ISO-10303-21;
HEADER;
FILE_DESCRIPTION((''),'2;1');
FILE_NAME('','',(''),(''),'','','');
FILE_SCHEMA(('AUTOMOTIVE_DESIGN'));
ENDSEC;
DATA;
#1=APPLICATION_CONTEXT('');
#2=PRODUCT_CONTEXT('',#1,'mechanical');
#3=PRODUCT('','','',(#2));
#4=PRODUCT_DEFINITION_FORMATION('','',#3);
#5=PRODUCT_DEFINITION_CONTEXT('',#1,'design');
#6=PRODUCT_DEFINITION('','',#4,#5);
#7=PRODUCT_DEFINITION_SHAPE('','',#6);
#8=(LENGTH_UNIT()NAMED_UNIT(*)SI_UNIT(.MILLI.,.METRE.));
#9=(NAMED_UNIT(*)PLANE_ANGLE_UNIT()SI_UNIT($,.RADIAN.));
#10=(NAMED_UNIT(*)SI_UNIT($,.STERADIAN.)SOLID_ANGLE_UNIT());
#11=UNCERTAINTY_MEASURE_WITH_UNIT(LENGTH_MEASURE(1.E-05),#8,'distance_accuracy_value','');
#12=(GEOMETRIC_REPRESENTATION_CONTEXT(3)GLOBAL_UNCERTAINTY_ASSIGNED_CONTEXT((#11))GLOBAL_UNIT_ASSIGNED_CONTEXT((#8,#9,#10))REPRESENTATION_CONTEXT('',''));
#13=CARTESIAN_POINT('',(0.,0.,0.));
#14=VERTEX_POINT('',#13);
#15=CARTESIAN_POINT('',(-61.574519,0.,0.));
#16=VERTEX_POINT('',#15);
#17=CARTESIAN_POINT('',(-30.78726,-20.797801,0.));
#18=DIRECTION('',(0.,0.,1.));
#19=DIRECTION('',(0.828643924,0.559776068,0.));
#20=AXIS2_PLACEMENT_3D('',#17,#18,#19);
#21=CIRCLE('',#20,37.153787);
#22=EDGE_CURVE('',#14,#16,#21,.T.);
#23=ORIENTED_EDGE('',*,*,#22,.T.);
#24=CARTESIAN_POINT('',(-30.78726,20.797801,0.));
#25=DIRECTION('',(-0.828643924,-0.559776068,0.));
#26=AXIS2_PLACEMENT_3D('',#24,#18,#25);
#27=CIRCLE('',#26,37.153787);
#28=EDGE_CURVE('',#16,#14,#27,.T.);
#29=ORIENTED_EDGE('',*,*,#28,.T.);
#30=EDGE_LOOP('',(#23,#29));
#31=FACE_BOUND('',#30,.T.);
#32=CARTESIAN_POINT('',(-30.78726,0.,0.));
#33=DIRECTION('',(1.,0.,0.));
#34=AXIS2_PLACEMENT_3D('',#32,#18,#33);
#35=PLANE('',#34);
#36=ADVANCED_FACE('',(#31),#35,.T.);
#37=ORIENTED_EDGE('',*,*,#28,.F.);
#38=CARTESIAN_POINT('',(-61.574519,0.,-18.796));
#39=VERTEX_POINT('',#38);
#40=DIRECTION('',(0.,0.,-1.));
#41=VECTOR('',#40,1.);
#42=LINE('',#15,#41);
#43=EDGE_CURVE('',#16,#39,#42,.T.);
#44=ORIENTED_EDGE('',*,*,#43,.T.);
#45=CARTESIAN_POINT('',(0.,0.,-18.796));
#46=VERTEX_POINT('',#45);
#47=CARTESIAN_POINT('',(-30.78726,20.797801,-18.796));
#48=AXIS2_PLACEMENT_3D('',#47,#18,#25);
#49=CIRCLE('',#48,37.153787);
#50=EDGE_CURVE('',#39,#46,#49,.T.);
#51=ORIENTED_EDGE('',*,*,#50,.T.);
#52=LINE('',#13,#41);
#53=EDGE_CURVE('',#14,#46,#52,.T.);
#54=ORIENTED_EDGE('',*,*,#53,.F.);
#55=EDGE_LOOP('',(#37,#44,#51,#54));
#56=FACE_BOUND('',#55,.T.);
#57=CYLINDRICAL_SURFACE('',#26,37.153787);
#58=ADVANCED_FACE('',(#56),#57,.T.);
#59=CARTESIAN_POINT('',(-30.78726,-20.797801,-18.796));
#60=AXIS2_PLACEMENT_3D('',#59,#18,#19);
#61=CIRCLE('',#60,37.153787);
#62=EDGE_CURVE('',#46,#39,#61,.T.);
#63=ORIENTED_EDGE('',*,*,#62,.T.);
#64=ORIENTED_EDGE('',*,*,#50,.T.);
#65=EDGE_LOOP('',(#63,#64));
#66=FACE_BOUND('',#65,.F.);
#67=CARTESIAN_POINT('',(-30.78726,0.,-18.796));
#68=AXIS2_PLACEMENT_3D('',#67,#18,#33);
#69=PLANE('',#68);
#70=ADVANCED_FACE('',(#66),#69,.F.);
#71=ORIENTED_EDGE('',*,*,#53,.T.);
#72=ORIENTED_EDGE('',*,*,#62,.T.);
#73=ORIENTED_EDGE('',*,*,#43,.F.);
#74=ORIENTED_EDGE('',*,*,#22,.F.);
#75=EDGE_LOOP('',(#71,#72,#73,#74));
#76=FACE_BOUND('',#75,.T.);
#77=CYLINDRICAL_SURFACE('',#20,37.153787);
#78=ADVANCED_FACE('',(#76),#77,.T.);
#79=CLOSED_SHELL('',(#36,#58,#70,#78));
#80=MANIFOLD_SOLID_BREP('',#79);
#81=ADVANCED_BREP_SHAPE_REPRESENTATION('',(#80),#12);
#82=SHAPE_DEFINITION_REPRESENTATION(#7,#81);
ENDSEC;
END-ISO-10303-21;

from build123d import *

# Parameters (mm, degrees)
F1_DEPTH = 18.796


with BuildPart() as f1:
    # F0 (on Top) → F1 (new body)
    with BuildSketch(Plane.XY):
        with BuildLine():
            ThreePointArc((-61.574519, 0), (-30.787259, -16.355986), (0, 0))
            ThreePointArc((0, 0), (-30.787259, 16.355986), (-61.574519, 0))
        make_face()
    extrude(amount=-F1_DEPTH)


solid = f1.part
